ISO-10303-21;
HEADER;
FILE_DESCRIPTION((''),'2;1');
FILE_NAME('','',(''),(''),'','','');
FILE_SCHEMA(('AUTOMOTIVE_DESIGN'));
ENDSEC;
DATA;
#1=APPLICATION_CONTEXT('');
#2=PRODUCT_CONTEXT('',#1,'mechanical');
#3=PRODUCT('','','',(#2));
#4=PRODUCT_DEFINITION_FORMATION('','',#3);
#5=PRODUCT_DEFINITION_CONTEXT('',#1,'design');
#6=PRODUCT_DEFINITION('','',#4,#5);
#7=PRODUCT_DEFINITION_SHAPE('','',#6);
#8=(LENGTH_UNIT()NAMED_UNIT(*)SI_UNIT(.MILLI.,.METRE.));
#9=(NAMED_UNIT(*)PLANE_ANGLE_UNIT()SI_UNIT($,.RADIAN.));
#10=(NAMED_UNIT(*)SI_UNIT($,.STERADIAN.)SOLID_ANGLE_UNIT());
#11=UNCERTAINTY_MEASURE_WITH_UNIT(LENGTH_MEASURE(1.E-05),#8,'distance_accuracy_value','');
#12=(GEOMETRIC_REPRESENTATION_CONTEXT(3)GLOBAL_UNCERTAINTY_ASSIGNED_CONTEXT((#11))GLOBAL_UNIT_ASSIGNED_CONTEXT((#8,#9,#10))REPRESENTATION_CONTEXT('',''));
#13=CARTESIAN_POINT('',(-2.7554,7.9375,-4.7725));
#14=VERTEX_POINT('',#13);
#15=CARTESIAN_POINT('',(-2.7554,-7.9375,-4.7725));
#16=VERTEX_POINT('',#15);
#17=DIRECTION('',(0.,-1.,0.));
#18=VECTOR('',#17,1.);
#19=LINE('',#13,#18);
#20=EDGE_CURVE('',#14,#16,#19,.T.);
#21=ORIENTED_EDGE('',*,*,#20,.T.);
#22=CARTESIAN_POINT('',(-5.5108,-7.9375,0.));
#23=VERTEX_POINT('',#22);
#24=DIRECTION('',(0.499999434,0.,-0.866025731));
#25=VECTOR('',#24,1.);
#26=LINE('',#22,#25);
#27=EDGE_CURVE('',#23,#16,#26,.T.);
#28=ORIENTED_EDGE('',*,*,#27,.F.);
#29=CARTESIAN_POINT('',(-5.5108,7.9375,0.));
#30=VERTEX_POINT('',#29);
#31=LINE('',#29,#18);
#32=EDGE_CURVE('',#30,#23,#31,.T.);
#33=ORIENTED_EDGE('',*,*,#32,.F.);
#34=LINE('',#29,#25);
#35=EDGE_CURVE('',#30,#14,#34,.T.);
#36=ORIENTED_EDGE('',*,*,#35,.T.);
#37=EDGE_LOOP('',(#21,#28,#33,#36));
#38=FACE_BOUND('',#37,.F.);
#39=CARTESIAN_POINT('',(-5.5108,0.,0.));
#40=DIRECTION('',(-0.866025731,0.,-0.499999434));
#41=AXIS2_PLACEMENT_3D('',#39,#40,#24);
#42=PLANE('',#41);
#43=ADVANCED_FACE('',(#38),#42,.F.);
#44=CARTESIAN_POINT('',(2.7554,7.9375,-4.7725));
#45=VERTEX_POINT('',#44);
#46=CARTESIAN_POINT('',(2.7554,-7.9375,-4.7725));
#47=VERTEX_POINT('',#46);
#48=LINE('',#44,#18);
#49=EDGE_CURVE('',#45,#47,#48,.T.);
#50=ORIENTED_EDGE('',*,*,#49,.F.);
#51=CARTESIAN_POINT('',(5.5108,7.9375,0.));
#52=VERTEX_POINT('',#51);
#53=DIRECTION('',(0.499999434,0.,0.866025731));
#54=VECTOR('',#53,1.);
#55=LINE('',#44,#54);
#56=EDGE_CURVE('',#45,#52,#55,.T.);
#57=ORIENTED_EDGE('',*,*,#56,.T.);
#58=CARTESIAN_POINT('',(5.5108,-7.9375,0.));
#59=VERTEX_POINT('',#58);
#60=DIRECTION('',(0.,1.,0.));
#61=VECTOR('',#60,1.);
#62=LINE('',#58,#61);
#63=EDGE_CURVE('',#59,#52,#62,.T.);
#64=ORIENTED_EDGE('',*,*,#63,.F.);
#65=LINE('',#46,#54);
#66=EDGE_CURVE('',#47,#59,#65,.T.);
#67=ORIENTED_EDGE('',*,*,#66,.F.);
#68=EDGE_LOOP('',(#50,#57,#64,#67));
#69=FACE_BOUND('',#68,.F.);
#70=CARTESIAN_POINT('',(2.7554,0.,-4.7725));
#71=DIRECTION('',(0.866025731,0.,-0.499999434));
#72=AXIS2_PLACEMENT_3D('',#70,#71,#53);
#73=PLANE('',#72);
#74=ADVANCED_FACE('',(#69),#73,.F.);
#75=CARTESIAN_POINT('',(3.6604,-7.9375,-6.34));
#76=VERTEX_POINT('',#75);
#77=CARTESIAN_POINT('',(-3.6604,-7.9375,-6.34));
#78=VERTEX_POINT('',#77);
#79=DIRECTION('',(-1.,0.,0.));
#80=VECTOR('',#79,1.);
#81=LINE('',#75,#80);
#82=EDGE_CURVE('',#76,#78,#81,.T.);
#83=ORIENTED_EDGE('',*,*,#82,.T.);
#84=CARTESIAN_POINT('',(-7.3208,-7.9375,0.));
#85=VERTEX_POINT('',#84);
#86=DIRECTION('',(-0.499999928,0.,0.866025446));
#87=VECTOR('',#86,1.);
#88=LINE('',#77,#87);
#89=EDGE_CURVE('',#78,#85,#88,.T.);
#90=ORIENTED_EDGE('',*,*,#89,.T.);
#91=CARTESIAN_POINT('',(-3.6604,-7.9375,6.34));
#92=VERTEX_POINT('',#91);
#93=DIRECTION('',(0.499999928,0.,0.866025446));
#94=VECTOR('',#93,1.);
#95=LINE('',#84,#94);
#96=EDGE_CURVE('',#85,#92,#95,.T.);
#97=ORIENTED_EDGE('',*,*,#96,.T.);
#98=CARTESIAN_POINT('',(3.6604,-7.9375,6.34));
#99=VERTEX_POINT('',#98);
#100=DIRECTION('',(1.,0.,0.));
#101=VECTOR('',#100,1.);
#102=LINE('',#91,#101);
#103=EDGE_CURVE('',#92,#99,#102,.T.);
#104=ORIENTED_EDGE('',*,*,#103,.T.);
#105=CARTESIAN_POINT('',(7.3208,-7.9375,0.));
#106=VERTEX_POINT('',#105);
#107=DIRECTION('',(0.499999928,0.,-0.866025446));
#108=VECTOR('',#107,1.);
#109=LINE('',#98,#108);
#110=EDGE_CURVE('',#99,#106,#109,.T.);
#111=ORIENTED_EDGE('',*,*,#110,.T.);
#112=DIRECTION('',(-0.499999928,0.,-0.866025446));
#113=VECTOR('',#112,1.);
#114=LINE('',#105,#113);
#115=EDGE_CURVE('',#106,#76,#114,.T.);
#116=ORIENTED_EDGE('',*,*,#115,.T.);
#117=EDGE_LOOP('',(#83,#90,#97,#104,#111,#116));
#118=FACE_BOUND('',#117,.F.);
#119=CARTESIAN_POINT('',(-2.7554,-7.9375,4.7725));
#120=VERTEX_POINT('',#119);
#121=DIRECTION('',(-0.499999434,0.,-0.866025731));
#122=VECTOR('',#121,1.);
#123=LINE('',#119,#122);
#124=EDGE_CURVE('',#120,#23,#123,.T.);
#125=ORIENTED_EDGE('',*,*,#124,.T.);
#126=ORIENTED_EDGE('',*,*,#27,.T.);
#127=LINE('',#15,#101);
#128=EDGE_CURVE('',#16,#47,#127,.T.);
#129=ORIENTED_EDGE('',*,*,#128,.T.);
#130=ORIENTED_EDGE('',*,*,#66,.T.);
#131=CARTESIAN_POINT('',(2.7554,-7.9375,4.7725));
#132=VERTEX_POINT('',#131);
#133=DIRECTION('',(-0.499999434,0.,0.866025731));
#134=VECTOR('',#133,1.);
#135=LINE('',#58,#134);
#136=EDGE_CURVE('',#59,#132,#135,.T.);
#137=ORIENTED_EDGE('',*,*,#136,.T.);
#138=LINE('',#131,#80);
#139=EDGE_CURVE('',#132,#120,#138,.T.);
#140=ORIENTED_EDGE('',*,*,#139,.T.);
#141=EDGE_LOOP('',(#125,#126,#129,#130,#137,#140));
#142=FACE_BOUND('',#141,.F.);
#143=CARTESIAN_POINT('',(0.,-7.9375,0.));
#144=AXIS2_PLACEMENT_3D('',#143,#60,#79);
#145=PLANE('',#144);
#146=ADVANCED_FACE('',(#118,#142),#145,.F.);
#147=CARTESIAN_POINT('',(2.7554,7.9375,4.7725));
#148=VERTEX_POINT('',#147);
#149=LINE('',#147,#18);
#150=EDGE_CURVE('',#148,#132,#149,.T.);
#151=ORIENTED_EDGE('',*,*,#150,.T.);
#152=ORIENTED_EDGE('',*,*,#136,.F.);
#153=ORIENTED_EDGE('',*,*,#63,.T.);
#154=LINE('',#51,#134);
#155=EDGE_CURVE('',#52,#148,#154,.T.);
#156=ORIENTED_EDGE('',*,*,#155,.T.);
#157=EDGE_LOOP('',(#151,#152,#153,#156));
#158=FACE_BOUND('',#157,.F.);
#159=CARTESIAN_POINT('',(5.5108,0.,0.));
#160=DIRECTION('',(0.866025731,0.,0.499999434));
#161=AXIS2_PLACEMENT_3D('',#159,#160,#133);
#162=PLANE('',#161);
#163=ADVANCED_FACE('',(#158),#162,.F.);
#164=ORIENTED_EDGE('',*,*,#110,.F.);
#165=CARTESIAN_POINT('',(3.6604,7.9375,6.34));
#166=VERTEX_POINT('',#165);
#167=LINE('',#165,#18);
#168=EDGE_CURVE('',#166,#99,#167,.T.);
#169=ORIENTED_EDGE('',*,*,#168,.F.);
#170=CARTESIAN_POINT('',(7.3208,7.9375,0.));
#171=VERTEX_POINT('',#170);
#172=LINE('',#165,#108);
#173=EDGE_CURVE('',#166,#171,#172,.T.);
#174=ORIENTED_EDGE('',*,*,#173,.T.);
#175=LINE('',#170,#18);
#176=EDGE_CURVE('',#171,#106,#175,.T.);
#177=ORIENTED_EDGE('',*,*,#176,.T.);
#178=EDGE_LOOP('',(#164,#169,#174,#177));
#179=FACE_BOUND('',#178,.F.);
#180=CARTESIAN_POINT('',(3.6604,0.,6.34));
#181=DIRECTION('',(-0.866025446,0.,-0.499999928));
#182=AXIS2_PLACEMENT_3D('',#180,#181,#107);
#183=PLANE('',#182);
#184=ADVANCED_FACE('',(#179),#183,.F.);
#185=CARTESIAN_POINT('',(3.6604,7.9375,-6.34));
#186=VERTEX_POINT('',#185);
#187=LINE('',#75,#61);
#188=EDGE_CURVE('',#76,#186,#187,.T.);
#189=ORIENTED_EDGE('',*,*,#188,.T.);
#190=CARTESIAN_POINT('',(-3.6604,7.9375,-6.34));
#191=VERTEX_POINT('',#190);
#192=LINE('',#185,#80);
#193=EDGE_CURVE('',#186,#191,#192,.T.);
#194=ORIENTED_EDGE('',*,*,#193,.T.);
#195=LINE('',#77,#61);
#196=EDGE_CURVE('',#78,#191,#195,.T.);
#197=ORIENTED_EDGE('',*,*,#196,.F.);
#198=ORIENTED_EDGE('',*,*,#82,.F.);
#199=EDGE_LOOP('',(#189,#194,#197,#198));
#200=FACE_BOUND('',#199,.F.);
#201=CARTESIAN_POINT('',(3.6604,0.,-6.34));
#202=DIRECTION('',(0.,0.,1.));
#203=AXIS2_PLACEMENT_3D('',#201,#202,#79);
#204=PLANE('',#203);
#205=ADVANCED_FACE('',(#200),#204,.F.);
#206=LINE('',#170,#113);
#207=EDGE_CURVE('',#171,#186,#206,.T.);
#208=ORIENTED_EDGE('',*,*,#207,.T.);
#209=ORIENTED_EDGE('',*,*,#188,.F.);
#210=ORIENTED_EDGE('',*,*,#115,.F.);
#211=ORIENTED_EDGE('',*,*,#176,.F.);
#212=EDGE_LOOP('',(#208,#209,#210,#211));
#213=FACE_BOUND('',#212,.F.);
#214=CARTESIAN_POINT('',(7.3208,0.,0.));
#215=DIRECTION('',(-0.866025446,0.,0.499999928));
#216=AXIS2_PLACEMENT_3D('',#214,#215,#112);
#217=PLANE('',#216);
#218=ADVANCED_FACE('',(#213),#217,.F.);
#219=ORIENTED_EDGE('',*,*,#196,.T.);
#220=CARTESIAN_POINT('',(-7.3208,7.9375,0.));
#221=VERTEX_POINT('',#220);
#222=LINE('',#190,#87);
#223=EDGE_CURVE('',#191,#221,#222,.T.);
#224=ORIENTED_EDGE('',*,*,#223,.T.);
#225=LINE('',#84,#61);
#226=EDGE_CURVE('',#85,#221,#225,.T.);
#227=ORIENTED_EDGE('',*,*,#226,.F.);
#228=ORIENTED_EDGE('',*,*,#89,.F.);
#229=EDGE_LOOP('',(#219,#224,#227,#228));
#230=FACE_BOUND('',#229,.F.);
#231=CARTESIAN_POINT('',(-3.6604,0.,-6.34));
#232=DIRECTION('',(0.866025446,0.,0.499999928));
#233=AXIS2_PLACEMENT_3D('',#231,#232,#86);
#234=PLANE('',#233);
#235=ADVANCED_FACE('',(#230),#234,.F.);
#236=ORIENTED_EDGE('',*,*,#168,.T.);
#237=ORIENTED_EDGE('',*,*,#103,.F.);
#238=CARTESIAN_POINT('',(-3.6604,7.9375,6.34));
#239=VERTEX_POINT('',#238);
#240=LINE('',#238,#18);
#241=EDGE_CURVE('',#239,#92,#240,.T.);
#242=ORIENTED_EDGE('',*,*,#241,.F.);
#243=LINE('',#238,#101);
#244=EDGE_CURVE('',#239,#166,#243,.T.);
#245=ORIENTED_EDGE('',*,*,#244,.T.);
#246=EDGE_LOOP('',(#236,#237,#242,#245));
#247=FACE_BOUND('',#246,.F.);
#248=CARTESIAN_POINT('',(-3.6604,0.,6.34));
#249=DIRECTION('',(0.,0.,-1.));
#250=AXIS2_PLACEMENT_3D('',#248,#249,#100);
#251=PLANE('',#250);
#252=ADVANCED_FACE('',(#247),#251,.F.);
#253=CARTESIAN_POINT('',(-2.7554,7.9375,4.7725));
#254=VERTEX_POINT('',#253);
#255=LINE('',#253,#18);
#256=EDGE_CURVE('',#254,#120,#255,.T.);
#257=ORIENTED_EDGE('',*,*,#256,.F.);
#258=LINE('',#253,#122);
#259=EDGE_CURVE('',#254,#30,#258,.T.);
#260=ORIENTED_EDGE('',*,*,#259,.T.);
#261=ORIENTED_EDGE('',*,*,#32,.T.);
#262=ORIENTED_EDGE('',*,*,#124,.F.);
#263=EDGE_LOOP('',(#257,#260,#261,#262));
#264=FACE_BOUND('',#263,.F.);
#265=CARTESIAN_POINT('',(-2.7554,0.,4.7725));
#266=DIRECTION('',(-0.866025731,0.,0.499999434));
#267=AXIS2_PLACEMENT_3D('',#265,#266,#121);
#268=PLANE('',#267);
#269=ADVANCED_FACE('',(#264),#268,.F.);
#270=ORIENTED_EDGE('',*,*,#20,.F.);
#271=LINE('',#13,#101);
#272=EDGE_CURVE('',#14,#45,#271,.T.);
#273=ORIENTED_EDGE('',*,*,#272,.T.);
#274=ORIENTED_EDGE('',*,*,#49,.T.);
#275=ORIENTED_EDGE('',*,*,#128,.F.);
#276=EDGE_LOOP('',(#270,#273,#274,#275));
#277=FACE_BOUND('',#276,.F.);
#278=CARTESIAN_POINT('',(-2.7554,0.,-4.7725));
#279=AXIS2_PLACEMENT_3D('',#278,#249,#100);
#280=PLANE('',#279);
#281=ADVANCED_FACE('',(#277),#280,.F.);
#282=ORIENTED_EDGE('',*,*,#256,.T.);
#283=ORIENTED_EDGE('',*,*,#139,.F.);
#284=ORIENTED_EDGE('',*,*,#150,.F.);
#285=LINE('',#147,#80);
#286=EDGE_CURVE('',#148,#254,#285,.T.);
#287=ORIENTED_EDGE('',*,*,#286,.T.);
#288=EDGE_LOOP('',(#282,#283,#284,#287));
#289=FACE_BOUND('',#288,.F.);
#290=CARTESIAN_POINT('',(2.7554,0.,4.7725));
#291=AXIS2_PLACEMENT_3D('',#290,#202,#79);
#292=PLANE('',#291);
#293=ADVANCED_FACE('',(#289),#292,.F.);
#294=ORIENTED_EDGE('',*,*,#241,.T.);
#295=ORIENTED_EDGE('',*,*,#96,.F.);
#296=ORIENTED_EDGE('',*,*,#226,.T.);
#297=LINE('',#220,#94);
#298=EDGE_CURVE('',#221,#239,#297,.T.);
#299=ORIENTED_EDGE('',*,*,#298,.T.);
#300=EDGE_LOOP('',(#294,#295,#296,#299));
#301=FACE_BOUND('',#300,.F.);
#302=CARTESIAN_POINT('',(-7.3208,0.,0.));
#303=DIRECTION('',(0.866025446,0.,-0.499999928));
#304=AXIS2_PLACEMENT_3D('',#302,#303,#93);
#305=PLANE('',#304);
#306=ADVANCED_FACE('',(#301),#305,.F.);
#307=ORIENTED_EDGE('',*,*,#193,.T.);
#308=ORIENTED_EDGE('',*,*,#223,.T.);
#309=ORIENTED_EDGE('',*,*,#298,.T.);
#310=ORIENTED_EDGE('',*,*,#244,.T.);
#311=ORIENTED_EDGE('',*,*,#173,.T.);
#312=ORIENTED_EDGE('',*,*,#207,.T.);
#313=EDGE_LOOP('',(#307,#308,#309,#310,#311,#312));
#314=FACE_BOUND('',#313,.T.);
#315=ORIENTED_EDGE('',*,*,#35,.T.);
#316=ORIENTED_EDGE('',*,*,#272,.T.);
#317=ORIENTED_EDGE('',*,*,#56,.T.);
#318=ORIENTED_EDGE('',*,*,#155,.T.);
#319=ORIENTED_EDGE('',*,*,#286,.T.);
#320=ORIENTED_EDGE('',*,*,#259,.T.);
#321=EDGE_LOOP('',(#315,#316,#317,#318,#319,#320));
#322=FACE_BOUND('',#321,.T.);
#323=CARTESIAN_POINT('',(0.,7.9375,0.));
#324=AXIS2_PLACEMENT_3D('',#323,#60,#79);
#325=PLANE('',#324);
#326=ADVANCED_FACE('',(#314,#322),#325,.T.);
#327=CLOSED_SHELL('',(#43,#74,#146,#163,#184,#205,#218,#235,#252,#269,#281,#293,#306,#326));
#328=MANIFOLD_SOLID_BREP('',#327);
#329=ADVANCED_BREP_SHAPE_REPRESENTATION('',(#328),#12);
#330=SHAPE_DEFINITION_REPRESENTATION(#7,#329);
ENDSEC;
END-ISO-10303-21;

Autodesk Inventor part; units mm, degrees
ref_plane "YZ Plane" through (0, 0, 0) normal (1, 0, 0) x (0, 1, 0)
ref_plane "XZ Plane" through (0, 0, 0) normal (0, 1, 0) x (-1, 0, 0)
ref_plane "XY Plane" through (0, 0, 0) normal (0, 0, 1) x (1, 0, 0)
sketch "Sketch1" plane through (0, 0, 0) normal (0, 1, 0) x (-1, 0, 0)
  line L0 (-5.5108, 0) -> (-2.7554, 4.7725)
  line L1 (-2.7554, 4.7725) -> (2.7554, 4.7725)
  line L2 (2.7554, 4.7725) -> (5.5108, 0)
  line L3 (5.5108, 0) -> (2.7554, -4.7725)
  line L4 (2.7554, -4.7725) -> (-2.7554, -4.7725)
  line L5 (-2.7554, -4.7725) -> (-5.5108, 0)
  line L6 (-3.6604, -6.34) -> (3.6604, -6.34)
  line L7 (3.6604, -6.34) -> (7.3208, 0)
  line L8 (7.3208, 0) -> (3.6604, 6.34)
  line L9 (3.6604, 6.34) -> (-3.6604, 6.34)
  line L10 (-3.6604, 6.34) -> (-7.3208, 0)
  line L11 (-7.3208, 0) -> (-3.6604, -6.34)
  point P0 (0, 0)
  point P1 (0, 0)
  dimension "d0" = 9.545
  dimension "d1" = 12.68
extrude "Extrusion1" add sketch "Sketch1" along normal mid plane 15.875
properties part number "3-8 1-2 adaptor" material "Aluminum 6061"
